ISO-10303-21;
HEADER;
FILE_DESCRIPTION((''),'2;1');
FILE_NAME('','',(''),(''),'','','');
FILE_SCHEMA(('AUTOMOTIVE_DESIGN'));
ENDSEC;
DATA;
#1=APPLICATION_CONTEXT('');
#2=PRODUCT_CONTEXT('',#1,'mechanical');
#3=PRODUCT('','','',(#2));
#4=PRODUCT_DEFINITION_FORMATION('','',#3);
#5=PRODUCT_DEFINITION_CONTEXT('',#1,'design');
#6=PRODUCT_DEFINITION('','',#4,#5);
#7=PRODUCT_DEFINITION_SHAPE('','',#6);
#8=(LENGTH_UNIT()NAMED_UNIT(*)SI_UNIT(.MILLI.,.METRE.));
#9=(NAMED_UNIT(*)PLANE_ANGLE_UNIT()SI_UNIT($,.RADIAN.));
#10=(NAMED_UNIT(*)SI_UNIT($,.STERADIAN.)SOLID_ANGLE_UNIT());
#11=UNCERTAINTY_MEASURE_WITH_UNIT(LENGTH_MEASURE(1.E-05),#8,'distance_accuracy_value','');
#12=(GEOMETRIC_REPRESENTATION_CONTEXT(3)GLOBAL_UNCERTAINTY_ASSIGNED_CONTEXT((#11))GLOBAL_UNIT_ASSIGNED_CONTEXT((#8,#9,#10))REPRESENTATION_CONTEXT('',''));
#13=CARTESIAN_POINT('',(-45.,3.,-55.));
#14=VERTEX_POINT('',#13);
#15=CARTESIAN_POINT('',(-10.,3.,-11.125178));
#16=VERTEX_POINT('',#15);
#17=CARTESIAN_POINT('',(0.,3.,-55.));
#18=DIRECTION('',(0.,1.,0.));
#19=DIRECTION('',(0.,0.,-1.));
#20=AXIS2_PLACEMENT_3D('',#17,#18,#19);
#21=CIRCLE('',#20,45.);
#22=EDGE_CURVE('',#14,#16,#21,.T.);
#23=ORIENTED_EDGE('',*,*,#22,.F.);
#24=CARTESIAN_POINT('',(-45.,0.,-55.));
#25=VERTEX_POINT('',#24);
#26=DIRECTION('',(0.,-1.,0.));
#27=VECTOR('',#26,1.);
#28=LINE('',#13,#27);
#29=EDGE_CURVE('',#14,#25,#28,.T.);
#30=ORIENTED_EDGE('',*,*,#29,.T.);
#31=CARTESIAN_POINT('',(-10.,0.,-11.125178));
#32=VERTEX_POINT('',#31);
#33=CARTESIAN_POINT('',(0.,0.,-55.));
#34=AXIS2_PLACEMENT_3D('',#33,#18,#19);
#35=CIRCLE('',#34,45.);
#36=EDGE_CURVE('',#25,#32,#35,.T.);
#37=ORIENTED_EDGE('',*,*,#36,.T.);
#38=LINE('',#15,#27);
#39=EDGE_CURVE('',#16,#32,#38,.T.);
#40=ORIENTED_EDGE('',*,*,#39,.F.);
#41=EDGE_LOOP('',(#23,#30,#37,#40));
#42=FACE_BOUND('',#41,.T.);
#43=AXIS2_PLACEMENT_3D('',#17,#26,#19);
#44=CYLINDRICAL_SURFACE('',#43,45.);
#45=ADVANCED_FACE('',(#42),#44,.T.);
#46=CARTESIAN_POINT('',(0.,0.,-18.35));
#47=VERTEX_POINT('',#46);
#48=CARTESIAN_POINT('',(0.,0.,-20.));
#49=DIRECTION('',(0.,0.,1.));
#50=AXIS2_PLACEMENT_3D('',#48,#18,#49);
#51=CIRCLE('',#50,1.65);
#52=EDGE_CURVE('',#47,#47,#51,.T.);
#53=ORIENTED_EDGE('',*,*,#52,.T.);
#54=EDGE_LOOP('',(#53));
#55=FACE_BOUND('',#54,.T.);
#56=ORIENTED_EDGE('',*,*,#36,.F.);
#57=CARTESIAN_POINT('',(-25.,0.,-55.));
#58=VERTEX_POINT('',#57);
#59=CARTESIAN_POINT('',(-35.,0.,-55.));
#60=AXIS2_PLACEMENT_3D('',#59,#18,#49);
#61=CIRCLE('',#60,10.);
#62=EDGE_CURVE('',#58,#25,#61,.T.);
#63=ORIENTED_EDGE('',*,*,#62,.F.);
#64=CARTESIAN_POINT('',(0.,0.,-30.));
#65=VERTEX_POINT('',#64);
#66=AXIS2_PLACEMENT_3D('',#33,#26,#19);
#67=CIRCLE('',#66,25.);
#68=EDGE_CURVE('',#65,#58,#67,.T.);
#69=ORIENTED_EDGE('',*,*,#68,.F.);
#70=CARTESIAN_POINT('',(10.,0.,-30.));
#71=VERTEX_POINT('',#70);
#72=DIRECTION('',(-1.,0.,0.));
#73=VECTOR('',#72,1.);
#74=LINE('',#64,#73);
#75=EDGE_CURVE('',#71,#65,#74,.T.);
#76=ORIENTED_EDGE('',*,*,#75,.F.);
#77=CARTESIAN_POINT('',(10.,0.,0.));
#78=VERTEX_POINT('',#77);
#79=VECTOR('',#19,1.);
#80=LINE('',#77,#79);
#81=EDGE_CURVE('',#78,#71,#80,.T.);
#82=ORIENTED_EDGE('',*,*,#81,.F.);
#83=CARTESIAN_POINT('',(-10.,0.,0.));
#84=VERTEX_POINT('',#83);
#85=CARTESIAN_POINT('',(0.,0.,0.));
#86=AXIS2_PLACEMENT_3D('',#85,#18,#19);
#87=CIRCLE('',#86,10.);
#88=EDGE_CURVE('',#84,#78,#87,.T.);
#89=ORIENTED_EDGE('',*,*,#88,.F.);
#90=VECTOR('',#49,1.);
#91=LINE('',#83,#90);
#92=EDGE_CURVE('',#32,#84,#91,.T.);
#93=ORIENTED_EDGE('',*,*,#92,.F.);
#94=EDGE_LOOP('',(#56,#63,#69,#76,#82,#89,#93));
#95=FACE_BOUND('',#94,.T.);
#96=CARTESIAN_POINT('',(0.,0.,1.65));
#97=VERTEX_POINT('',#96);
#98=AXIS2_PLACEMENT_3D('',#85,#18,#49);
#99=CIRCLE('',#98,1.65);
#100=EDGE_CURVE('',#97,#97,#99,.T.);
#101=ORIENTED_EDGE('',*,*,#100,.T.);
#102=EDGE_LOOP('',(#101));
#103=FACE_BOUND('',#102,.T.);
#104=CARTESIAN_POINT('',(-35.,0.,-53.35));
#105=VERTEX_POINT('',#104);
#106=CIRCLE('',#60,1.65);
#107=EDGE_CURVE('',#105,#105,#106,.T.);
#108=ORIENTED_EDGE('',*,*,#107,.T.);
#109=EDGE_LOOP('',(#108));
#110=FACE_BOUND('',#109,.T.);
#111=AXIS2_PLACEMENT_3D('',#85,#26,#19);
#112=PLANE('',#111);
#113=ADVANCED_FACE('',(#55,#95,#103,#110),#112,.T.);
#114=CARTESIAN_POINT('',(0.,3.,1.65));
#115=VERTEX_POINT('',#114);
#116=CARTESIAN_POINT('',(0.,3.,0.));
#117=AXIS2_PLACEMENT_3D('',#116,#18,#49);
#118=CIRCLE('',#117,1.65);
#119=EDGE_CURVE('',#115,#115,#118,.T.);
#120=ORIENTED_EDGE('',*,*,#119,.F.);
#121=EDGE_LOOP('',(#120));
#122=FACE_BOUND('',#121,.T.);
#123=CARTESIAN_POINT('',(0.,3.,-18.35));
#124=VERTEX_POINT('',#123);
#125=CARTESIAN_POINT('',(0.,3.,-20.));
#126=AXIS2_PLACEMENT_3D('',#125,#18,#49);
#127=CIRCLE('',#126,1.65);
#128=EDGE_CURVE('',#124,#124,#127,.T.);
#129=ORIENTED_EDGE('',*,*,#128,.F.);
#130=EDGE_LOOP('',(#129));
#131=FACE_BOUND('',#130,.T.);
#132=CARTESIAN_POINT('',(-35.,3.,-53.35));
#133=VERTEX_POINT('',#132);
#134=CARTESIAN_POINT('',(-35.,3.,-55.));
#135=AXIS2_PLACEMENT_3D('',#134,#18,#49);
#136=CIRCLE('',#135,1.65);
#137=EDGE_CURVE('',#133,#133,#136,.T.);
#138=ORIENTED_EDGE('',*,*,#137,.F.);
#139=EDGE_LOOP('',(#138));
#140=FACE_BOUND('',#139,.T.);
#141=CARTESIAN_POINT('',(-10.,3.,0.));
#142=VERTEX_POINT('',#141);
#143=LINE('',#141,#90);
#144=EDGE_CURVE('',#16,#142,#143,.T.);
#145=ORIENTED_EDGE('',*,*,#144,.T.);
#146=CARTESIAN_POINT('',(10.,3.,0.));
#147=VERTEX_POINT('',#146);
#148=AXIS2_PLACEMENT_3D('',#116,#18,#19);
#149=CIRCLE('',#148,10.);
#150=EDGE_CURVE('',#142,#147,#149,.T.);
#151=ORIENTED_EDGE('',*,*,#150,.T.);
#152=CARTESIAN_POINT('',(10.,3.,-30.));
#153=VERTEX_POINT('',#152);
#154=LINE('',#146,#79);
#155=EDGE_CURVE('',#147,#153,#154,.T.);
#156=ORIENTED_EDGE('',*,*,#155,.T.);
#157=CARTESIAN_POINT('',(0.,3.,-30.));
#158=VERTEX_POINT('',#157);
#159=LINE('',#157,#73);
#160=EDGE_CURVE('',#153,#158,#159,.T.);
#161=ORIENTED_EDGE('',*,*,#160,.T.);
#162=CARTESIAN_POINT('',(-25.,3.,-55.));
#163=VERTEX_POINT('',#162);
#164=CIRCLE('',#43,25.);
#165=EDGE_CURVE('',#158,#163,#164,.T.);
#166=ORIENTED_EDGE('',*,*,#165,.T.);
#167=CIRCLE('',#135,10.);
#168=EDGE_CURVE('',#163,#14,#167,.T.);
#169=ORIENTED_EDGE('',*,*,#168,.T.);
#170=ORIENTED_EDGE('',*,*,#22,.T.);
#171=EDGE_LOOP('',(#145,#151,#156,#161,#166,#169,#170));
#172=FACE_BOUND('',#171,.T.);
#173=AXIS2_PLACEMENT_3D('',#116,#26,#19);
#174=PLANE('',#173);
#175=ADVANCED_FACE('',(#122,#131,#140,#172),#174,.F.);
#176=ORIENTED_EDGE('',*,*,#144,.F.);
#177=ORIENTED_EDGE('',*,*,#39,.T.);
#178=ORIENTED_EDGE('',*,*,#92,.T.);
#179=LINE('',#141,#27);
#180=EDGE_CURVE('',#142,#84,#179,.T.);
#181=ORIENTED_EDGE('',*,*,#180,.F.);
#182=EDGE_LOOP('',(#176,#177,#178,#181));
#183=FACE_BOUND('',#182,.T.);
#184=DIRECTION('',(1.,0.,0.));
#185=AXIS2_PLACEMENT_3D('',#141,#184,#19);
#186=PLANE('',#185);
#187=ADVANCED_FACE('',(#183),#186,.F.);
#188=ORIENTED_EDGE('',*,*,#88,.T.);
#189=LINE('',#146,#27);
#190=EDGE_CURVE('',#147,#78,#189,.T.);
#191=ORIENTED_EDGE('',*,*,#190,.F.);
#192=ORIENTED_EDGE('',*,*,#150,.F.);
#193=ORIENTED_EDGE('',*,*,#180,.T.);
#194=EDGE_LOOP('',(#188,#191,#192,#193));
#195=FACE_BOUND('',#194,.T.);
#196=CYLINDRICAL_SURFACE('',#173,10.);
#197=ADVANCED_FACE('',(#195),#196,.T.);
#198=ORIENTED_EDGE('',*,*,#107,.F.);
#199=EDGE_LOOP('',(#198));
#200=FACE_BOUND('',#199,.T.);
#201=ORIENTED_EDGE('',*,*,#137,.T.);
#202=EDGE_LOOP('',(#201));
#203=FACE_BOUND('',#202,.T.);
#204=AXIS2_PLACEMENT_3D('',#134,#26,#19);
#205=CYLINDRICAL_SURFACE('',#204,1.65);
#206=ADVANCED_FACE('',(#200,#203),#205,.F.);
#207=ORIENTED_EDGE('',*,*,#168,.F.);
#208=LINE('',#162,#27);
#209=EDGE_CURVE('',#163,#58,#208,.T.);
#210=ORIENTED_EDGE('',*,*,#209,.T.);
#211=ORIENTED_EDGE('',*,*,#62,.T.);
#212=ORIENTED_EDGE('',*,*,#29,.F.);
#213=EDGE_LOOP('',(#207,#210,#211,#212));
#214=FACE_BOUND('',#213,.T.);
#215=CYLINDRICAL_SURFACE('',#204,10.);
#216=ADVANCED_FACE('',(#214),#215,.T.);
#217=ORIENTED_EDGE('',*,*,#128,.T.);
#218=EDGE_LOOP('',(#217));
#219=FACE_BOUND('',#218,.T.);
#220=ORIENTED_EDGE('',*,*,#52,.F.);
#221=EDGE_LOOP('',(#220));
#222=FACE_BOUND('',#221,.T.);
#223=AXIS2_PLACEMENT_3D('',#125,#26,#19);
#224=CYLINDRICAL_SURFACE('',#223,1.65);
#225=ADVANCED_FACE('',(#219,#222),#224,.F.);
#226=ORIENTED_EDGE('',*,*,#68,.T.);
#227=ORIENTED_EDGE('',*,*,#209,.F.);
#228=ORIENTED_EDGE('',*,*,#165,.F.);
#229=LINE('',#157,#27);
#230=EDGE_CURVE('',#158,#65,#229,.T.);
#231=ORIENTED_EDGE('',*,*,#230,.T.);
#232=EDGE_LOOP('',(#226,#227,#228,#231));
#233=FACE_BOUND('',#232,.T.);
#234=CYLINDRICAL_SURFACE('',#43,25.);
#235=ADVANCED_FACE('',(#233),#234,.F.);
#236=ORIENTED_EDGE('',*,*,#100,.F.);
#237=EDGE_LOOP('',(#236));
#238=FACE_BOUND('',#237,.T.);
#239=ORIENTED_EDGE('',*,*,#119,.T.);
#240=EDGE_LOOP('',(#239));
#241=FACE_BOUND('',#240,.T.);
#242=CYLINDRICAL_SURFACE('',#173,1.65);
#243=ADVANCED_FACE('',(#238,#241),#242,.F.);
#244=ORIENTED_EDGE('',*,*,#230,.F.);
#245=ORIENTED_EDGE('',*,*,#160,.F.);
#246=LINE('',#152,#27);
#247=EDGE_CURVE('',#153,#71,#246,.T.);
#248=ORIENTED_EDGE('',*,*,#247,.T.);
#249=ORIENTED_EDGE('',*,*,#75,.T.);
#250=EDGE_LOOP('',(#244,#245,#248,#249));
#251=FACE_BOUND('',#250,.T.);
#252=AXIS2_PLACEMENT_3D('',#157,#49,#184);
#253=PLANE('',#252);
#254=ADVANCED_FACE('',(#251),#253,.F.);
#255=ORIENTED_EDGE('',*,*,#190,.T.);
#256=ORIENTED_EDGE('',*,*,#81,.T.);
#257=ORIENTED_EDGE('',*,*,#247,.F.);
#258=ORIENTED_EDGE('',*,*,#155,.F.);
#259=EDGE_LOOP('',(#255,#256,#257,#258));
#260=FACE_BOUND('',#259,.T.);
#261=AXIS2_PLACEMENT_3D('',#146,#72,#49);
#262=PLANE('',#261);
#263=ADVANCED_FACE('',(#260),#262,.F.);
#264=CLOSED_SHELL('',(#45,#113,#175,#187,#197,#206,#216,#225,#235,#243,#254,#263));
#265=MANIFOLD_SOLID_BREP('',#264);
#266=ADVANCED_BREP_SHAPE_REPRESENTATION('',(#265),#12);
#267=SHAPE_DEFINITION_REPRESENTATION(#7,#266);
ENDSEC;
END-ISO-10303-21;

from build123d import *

# Parameters (mm, degrees)
SKETCH_1_R      = 1.65
EXTRUDE_1_DEPTH = 3


with BuildPart() as part:
    # 草图1 → 凸台-拉伸1 (new body)
    with BuildSketch(Plane(origin=(0, 0, 0), x_dir=(1, 0, 0), z_dir=(0, 1, 0))):
        with BuildLine():
            Line((10, 0), (10, 30))
            Line((10, 30), (0, 30))
            ThreePointArc((0, 30), (-17.67766953, 37.32233047), (-25, 55))
            ThreePointArc((-25, 55), (-35, 65), (-45, 55))
            ThreePointArc((-45, 55), (-35.178118199, 26.937569599), (-10, 11.125178063))
            Line((-10, 11.125178063), (-10, 0))
            ThreePointArc((-10, 0), (0, -10), (10, 0))
        make_face()
        with Locations(Location((-35, 55, 0), (0, 0, 270))):
            Circle(SKETCH_1_R, mode=Mode.SUBTRACT)
        with Locations(Location((0, 20, 0), (0, 0, 270))):
            Circle(SKETCH_1_R, mode=Mode.SUBTRACT)
        with Locations(Location((0, 0, 0), (0, 0, 270))):
            Circle(SKETCH_1_R, mode=Mode.SUBTRACT)
    extrude(amount=EXTRUDE_1_DEPTH)


solid = part.part
